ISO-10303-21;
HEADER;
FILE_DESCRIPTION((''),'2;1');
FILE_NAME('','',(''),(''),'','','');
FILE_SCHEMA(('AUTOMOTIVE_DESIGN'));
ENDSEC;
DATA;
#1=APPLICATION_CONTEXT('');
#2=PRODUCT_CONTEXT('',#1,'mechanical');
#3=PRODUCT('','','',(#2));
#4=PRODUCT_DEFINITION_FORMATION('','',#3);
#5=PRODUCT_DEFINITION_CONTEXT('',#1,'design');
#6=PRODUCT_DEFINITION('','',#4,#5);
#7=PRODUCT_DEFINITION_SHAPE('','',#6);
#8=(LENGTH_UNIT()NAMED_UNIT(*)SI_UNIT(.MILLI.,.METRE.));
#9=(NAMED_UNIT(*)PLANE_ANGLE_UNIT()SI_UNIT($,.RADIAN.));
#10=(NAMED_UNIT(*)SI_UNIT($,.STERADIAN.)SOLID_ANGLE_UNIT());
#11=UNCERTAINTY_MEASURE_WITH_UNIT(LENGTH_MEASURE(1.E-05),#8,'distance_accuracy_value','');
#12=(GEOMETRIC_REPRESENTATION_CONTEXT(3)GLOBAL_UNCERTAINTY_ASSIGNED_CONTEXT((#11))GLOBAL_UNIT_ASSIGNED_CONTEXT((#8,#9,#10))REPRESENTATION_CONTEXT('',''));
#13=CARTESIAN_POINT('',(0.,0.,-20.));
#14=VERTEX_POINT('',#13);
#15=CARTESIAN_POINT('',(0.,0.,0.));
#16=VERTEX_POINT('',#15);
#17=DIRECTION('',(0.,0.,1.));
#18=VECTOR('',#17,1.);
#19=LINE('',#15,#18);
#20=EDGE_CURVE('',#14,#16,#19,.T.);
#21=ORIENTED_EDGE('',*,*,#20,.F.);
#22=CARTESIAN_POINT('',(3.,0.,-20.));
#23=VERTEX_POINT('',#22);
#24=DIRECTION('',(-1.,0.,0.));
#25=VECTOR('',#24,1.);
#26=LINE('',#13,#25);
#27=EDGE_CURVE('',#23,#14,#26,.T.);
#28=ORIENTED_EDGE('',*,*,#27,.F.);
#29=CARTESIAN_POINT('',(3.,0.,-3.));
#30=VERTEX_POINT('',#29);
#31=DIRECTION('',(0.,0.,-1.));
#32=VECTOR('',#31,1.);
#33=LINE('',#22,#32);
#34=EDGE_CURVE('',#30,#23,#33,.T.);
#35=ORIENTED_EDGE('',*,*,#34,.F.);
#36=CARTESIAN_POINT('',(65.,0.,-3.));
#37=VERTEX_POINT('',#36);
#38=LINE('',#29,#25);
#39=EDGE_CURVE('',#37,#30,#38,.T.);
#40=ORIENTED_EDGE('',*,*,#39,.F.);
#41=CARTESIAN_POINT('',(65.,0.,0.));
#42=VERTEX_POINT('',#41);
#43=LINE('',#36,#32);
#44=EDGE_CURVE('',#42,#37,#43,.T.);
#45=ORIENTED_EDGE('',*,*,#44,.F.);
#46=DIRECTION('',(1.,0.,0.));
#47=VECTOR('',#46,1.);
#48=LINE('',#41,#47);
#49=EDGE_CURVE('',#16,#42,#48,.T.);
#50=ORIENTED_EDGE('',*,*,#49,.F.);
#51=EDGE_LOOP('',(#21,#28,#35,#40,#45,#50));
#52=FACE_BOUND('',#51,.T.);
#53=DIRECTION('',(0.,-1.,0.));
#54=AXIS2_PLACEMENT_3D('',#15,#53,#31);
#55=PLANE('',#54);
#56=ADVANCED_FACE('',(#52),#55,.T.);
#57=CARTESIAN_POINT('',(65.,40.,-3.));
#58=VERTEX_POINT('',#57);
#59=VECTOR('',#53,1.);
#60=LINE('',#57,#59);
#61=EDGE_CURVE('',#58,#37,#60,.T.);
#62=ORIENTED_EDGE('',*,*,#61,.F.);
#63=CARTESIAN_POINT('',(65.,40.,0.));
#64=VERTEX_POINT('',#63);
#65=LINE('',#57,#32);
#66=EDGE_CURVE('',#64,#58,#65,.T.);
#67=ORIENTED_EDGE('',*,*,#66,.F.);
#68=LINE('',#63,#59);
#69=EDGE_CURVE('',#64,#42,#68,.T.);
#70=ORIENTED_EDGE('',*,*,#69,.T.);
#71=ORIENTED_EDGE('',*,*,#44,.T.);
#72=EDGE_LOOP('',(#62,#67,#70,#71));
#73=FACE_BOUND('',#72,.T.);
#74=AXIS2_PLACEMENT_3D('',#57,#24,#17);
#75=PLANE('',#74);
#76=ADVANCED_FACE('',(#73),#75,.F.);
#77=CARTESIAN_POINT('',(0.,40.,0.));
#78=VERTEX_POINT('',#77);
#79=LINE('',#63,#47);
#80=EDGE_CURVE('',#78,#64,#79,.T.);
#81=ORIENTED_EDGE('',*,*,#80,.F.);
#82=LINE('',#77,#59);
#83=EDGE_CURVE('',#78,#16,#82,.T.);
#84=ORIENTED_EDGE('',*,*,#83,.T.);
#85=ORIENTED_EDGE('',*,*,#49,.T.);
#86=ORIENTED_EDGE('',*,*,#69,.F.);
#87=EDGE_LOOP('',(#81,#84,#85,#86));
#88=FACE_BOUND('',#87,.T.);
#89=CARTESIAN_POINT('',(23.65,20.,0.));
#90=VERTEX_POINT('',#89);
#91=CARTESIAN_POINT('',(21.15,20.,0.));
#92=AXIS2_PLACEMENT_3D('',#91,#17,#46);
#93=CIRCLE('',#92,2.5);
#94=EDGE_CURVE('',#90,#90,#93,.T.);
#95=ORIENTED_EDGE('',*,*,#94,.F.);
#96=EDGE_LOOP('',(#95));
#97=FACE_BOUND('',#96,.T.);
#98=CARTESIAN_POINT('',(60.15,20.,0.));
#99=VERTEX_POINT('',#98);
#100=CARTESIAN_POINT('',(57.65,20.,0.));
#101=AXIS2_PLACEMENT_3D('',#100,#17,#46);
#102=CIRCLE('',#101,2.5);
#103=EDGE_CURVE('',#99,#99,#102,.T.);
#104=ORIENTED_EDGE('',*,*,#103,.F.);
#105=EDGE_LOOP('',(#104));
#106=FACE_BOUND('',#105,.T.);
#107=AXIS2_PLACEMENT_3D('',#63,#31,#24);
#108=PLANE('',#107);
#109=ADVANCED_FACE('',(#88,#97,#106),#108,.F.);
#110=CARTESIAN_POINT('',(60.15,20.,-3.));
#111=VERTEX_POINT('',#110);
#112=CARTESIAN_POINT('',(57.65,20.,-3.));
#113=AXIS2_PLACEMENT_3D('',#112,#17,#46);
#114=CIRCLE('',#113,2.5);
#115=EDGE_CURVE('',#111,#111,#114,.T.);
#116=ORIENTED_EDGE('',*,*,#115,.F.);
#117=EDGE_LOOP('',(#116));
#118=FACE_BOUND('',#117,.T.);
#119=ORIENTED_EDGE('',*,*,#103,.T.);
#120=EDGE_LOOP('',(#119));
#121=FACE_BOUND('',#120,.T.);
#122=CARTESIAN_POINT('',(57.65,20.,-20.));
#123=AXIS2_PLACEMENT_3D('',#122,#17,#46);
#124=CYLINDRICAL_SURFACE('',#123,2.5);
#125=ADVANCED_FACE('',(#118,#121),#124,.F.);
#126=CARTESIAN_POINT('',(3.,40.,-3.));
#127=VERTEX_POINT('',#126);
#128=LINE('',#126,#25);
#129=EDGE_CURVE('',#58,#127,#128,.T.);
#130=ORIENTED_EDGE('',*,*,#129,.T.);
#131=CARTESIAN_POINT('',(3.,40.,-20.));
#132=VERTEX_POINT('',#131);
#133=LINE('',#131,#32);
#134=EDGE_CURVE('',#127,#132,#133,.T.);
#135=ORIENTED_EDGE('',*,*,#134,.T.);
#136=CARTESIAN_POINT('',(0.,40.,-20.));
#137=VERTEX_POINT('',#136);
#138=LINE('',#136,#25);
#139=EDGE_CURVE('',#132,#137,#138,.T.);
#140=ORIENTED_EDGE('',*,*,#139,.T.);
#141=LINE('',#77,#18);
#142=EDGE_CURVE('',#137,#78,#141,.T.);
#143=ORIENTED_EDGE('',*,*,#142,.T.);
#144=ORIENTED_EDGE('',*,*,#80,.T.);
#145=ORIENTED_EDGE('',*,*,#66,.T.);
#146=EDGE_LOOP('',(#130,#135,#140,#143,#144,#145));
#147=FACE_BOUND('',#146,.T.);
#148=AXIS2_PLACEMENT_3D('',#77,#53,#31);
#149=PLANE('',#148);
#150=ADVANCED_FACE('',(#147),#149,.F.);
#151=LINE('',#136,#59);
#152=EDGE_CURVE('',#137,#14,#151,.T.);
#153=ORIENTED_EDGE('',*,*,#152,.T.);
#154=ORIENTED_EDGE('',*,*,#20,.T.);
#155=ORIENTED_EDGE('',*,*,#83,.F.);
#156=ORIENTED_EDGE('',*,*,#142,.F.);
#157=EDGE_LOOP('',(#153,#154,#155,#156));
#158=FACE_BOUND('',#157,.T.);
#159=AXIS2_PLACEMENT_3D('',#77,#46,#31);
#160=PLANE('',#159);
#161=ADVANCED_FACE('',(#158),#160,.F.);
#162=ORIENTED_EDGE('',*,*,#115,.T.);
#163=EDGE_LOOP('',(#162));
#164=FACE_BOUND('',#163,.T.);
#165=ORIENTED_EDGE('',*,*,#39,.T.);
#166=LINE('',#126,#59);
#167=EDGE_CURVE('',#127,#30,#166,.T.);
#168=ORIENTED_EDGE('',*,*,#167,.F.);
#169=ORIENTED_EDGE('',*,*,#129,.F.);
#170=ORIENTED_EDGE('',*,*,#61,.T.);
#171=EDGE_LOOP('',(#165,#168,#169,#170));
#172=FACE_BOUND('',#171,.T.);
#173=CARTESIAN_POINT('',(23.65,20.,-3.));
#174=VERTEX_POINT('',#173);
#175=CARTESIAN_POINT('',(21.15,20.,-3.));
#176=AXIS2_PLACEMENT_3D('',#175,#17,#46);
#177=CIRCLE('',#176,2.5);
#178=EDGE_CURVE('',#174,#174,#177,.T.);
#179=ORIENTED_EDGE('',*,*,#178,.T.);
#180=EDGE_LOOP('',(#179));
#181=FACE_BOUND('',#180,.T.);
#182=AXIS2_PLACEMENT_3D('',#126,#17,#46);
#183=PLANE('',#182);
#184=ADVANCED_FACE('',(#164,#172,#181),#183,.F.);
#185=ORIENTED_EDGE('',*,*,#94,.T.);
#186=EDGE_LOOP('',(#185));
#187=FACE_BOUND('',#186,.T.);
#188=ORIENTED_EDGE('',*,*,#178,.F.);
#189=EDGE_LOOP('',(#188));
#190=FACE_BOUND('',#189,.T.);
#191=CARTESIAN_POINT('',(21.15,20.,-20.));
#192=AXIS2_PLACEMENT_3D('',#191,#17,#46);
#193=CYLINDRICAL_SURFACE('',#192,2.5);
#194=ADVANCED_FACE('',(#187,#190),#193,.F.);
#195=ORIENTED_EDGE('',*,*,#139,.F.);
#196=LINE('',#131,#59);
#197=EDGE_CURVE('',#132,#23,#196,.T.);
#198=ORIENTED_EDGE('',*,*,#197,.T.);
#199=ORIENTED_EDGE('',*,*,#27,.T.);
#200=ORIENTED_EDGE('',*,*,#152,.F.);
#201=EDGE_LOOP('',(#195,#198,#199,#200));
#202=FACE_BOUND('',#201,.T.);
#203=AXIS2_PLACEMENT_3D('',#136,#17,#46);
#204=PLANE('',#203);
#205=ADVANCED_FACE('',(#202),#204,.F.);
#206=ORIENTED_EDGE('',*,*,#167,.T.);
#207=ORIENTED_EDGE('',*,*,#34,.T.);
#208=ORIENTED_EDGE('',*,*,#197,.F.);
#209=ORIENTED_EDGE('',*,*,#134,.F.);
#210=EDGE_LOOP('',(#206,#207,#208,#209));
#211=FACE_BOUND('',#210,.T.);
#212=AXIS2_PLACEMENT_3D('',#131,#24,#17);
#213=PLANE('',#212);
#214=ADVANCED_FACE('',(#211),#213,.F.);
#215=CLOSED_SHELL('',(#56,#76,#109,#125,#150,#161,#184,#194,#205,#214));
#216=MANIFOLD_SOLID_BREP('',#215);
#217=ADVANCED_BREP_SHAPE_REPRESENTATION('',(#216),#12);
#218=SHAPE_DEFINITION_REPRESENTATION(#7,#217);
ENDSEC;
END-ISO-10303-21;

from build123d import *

# Parameters (mm, degrees)
BOSS_EXTRUDE1_DEPTH = 40
SKETCH2_R           = 2.5
CUT_EXTRUDE1_DEPTH  = 79.89866919


with BuildPart() as part:
    # Sketch1 → Boss-Extrude1 (new body)
    with BuildSketch(Plane(origin=(0, 0, 0), x_dir=(1, 0, 0), z_dir=(0, 1, 0))):
        Polygon((0, 0), (0, 20), (3, 20), (3, 3), (65, 3), (65, 0), align=None)
    extrude(amount=BOSS_EXTRUDE1_DEPTH)

    # Sketch2 → Cut-Extrude1 (cut, through all)
    with BuildSketch(Plane.XY):
        with Locations((21.15, 20)):
            Circle(SKETCH2_R)
        with Locations((57.65, 20)):
            Circle(SKETCH2_R)
    extrude(amount=-CUT_EXTRUDE1_DEPTH, mode=Mode.SUBTRACT)


solid = part.part
